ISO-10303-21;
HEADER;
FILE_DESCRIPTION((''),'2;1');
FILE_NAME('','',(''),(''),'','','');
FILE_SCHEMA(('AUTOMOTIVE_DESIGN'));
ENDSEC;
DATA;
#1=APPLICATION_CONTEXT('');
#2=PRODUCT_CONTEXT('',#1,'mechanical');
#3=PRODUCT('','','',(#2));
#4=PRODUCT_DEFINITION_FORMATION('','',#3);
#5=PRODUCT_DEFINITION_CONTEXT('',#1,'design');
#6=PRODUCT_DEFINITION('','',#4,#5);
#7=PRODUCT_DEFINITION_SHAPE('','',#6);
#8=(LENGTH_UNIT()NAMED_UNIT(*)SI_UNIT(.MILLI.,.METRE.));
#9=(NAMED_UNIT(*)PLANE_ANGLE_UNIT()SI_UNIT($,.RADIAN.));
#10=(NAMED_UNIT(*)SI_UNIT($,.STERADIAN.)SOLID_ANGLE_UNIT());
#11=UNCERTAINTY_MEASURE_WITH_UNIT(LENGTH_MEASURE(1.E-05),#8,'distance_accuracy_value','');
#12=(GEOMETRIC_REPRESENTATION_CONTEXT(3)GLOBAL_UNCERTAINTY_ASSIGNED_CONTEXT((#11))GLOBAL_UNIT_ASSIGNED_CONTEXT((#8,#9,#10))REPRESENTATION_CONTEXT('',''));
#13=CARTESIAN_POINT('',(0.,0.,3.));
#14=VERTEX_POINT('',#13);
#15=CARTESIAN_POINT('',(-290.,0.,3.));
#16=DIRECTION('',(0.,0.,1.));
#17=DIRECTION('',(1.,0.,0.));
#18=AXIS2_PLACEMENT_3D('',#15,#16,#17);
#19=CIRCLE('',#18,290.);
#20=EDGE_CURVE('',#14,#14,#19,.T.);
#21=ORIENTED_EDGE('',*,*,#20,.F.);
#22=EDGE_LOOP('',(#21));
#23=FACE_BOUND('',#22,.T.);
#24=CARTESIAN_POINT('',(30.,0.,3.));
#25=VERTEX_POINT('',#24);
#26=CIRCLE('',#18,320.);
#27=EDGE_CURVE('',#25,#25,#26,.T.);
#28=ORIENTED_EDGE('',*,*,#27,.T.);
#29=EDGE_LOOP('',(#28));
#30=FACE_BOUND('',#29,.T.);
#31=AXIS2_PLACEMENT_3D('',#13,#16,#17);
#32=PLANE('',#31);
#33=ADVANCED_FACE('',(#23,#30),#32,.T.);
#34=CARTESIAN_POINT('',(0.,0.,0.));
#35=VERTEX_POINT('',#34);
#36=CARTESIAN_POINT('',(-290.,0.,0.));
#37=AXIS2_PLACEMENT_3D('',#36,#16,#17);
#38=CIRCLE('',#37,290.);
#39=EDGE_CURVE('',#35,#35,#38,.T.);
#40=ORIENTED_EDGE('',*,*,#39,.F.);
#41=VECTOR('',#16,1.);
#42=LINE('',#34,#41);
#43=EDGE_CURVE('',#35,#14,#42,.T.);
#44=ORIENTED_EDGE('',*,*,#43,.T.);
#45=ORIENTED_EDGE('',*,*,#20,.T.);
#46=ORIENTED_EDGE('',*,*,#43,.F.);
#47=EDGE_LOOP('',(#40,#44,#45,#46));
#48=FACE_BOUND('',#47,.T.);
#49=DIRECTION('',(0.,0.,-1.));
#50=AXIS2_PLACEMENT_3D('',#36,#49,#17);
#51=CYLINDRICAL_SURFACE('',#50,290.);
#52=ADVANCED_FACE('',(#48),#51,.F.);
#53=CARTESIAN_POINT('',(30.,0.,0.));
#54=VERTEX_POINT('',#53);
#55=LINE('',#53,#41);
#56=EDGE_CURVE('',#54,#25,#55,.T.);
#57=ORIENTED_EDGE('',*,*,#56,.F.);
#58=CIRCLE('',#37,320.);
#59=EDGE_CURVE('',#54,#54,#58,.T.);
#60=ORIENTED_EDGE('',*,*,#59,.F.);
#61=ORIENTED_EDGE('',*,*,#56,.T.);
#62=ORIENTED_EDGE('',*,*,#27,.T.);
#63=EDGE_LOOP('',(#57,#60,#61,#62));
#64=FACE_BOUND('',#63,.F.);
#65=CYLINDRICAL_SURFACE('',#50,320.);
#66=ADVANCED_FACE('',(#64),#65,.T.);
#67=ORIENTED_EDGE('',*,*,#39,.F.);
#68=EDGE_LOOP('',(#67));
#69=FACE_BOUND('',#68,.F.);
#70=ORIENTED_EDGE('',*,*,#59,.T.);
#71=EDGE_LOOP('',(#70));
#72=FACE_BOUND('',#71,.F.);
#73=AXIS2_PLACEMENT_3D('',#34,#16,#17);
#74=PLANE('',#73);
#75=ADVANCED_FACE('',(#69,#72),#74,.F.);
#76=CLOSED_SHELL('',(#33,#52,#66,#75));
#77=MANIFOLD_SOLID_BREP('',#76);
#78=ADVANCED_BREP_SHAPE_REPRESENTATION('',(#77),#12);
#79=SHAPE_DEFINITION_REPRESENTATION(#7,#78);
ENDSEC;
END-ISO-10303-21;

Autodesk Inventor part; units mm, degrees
ref_plane "YZ Plane" through (0, 0, 0) normal (1, 0, 0) x (0, 1, 0)
ref_plane "XZ Plane" through (0, 0, 0) normal (0, 1, 0) x (-1, 0, 0)
ref_plane "XY Plane" through (0, 0, 0) normal (0, 0, 1) x (1, 0, 0)
ref_plane "Work Plane1" through (0, 0, 0) normal (0, 0, 1) x (1, 0, 0)
sketch "Sketch1" plane through (0, 0, 0) normal (0, 0, 1) x (1, 0, 0)
  circle A0 centre (-290, 0) radius 320 projected
  circle A1 centre (-290, 0) radius 290 projected
  point P0 (0, 0)
extrude "Extrusion1" add sketch "Sketch1" along normal blind 3
properties part number "topRing"
